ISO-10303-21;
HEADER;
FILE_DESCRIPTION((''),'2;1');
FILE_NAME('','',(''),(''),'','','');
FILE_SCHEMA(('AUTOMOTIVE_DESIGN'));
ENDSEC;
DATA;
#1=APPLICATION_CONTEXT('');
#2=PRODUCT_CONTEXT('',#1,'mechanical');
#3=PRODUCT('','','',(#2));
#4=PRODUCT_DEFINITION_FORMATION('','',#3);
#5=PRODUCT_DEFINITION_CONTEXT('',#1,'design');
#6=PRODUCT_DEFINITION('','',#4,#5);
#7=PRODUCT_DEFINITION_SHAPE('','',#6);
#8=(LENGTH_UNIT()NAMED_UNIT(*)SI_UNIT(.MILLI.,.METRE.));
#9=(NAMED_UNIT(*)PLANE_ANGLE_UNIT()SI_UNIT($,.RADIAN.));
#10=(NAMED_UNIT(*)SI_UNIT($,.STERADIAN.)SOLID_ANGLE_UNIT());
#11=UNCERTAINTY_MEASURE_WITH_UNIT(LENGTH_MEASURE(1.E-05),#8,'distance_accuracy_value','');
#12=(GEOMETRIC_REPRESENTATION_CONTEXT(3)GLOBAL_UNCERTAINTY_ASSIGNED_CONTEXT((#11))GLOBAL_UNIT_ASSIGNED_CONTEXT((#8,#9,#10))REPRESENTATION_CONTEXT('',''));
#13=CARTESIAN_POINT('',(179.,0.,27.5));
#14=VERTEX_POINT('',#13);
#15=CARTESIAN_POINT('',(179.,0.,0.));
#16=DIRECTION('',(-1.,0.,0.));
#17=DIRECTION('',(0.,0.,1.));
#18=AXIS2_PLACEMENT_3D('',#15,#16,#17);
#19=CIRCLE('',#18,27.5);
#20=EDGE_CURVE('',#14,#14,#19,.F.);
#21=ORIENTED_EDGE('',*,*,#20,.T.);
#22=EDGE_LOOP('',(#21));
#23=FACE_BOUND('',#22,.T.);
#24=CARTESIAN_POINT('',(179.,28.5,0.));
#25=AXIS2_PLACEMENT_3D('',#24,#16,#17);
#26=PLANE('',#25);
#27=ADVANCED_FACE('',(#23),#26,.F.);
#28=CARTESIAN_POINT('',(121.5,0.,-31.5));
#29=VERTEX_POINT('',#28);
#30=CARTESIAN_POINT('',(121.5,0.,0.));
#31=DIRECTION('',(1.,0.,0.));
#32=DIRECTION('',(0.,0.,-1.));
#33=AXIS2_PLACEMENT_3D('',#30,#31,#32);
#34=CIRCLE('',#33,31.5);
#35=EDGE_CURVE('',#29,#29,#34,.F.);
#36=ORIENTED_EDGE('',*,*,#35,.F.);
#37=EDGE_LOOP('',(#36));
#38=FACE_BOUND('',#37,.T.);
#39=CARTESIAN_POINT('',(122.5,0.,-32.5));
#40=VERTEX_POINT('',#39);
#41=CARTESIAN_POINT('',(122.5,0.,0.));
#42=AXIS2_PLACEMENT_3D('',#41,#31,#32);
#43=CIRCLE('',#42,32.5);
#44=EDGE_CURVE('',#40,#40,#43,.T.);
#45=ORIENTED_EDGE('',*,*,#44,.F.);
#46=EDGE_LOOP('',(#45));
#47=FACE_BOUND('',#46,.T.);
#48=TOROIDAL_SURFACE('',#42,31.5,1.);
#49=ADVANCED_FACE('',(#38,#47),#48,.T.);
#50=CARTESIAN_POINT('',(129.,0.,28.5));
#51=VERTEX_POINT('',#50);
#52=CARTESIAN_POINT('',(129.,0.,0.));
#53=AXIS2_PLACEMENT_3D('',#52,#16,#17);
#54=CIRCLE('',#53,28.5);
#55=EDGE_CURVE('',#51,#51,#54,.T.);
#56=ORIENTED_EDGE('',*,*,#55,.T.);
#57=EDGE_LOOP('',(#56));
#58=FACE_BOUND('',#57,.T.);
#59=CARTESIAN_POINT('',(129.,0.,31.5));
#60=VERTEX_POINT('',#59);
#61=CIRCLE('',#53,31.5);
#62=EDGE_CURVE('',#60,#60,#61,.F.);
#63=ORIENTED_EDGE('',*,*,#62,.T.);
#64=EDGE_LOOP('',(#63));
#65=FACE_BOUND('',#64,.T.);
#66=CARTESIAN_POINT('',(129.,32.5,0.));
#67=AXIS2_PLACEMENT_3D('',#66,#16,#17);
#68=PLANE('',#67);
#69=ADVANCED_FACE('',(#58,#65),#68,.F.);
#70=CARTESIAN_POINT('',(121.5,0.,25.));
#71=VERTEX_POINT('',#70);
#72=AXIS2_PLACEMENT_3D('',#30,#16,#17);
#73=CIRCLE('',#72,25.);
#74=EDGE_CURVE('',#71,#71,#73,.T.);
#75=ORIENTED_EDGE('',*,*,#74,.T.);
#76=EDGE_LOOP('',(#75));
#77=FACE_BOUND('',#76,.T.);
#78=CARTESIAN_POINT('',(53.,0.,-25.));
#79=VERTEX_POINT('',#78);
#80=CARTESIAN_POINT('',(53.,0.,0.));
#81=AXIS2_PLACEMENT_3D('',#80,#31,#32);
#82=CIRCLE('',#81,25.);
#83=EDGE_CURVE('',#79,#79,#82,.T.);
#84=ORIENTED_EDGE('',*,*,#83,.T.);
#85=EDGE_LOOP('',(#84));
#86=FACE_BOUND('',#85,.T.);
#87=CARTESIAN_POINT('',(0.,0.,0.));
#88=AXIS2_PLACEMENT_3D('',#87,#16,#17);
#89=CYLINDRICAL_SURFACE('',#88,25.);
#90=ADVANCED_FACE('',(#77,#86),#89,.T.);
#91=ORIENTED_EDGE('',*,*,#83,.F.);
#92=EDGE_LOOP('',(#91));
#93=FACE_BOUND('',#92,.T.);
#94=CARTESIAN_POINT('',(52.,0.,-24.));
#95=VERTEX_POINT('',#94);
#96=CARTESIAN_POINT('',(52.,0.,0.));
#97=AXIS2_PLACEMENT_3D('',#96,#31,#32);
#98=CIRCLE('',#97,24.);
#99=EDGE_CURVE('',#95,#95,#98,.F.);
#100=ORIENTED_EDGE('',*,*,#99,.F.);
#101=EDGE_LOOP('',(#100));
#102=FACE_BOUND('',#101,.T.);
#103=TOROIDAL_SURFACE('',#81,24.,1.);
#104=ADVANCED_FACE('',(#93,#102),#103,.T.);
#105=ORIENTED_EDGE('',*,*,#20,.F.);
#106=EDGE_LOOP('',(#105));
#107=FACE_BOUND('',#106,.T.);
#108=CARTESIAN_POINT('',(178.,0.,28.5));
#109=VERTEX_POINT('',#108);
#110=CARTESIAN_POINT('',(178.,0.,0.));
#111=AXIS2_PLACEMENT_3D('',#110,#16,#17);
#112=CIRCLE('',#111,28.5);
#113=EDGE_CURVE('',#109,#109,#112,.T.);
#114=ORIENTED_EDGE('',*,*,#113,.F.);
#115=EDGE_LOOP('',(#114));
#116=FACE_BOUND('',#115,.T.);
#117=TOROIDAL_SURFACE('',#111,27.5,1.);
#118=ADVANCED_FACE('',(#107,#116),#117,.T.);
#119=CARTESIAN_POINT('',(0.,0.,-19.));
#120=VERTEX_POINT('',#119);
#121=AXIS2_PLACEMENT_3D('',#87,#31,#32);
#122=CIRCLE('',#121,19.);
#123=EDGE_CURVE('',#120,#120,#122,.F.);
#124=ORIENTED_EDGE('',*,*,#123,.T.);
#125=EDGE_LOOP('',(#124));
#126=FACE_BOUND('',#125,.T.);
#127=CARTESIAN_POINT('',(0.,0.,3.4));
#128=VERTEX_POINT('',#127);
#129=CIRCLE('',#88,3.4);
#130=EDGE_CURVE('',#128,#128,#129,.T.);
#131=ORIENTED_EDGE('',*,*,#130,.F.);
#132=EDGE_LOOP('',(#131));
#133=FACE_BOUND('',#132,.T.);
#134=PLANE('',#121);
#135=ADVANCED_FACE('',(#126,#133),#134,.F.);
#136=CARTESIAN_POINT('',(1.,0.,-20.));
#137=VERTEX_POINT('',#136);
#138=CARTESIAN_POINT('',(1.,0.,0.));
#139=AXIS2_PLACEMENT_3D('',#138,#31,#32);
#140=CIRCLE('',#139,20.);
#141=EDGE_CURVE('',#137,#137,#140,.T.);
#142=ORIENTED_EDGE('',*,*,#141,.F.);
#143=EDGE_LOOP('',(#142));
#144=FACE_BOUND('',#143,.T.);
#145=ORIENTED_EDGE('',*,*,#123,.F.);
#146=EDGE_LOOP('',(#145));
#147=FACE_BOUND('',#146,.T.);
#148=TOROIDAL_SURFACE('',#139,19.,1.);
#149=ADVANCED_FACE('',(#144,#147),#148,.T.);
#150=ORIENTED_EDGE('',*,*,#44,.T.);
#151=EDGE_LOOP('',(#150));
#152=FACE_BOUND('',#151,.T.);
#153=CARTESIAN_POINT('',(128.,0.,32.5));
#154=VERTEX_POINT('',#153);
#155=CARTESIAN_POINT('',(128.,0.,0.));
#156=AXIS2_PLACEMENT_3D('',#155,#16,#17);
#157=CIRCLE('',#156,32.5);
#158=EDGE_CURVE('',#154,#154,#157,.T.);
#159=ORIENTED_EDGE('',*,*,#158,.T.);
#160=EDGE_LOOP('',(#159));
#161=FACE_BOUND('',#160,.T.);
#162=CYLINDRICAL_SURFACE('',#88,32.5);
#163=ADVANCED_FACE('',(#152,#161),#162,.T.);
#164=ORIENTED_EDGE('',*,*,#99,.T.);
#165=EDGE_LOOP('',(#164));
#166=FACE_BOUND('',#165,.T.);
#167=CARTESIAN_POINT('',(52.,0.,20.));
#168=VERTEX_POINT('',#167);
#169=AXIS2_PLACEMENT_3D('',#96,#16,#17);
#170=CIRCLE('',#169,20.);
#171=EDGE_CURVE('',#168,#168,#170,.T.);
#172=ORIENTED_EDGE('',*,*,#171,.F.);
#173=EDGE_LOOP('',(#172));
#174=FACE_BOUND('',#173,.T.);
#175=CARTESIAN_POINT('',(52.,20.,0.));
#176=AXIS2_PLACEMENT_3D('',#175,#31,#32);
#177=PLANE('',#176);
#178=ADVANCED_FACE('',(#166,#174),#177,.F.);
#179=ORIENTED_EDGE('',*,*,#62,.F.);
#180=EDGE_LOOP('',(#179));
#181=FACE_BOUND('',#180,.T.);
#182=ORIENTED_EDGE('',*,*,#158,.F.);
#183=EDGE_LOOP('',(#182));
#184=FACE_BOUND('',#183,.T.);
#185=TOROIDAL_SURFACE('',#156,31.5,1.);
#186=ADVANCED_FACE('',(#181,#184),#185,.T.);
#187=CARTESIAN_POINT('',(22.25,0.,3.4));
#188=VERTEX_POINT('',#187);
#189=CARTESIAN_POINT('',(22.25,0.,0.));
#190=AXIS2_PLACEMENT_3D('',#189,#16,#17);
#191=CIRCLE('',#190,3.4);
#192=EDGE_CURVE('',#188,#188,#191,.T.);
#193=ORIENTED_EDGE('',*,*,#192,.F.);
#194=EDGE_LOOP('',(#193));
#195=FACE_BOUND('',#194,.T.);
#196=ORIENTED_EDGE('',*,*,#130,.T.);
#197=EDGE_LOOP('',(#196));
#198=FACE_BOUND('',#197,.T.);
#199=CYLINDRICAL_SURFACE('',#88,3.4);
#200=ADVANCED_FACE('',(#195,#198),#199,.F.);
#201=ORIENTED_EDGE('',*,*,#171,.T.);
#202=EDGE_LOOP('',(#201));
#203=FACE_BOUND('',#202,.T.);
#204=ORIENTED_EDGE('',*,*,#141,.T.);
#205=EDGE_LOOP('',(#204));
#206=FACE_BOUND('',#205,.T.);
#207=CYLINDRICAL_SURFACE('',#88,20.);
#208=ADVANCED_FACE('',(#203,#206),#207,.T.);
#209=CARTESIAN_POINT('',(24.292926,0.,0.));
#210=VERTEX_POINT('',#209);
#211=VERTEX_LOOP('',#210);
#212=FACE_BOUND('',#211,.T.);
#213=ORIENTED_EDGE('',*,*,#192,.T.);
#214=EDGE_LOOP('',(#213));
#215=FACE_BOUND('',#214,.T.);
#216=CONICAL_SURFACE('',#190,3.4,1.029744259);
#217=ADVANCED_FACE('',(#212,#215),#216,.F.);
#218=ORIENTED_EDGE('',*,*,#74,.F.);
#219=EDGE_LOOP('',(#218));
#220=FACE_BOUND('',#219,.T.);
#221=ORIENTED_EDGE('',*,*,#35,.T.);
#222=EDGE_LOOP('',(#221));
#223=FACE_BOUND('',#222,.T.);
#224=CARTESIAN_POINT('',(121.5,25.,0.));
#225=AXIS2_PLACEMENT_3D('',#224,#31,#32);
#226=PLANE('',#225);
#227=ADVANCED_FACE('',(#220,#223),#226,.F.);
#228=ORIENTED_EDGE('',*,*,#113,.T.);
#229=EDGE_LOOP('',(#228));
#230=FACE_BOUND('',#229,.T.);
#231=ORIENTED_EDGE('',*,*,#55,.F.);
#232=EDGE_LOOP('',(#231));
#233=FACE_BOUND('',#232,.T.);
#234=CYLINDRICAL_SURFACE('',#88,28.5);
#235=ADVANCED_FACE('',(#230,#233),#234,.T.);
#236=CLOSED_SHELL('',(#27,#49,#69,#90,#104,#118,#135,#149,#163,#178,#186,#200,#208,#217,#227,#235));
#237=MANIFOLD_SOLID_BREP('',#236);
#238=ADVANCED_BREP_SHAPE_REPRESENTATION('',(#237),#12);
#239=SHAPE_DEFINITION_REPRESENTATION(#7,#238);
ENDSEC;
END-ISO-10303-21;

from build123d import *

# Parameters (mm, degrees)
HOLE_WIZARD_M81_D     = 6.8
HOLE_WIZARD_M81_DEPTH = 22.25
HOLE_WIZARD_M81_TIP   = 2.042926105
FILLET_1_R            = 1


with BuildPart() as part:
    # Эскиз1 → Повернуть1 (revolve)
    with BuildSketch(Plane.XY, mode=Mode.PRIVATE) as revolve_1_sk:
        Polygon((0, 0), (0, 20), (52, 20), (52, 25), (121.5, 25), (121.5, 32.5), (129, 32.5), (129, 28.5), (179, 28.5), (179, 0), align=None)
    revolve(revolve_1_sk.sketch.rotate(Axis((0, 0, 0), (1, 0, 0)), 90), axis=Axis((0, 0, 0), (1, 0, 0)))

    # Отверстие обработанное метчиком M81
    with Locations(Plane.ZY):
        with Locations((0, 0)):
            Hole(HOLE_WIZARD_M81_D / 2, depth=HOLE_WIZARD_M81_DEPTH)
            with Locations((0, 0, -(HOLE_WIZARD_M81_DEPTH + HOLE_WIZARD_M81_TIP / 2))):  # 118° drill point
                Cone(0, HOLE_WIZARD_M81_D / 2, HOLE_WIZARD_M81_TIP, mode=Mode.SUBTRACT)

    # Скругление1
    fillet_1_edges = [part.edges().sort_by_distance(p)[0] for p in [
        (52, 0, -25),
        (0, 0, -20),
        (179, 0, -28.5),
        (129, 0, -32.5),
        (121.5, 0, -32.5),
    ]]
    fillet(fillet_1_edges, radius=FILLET_1_R)


solid = part.part
